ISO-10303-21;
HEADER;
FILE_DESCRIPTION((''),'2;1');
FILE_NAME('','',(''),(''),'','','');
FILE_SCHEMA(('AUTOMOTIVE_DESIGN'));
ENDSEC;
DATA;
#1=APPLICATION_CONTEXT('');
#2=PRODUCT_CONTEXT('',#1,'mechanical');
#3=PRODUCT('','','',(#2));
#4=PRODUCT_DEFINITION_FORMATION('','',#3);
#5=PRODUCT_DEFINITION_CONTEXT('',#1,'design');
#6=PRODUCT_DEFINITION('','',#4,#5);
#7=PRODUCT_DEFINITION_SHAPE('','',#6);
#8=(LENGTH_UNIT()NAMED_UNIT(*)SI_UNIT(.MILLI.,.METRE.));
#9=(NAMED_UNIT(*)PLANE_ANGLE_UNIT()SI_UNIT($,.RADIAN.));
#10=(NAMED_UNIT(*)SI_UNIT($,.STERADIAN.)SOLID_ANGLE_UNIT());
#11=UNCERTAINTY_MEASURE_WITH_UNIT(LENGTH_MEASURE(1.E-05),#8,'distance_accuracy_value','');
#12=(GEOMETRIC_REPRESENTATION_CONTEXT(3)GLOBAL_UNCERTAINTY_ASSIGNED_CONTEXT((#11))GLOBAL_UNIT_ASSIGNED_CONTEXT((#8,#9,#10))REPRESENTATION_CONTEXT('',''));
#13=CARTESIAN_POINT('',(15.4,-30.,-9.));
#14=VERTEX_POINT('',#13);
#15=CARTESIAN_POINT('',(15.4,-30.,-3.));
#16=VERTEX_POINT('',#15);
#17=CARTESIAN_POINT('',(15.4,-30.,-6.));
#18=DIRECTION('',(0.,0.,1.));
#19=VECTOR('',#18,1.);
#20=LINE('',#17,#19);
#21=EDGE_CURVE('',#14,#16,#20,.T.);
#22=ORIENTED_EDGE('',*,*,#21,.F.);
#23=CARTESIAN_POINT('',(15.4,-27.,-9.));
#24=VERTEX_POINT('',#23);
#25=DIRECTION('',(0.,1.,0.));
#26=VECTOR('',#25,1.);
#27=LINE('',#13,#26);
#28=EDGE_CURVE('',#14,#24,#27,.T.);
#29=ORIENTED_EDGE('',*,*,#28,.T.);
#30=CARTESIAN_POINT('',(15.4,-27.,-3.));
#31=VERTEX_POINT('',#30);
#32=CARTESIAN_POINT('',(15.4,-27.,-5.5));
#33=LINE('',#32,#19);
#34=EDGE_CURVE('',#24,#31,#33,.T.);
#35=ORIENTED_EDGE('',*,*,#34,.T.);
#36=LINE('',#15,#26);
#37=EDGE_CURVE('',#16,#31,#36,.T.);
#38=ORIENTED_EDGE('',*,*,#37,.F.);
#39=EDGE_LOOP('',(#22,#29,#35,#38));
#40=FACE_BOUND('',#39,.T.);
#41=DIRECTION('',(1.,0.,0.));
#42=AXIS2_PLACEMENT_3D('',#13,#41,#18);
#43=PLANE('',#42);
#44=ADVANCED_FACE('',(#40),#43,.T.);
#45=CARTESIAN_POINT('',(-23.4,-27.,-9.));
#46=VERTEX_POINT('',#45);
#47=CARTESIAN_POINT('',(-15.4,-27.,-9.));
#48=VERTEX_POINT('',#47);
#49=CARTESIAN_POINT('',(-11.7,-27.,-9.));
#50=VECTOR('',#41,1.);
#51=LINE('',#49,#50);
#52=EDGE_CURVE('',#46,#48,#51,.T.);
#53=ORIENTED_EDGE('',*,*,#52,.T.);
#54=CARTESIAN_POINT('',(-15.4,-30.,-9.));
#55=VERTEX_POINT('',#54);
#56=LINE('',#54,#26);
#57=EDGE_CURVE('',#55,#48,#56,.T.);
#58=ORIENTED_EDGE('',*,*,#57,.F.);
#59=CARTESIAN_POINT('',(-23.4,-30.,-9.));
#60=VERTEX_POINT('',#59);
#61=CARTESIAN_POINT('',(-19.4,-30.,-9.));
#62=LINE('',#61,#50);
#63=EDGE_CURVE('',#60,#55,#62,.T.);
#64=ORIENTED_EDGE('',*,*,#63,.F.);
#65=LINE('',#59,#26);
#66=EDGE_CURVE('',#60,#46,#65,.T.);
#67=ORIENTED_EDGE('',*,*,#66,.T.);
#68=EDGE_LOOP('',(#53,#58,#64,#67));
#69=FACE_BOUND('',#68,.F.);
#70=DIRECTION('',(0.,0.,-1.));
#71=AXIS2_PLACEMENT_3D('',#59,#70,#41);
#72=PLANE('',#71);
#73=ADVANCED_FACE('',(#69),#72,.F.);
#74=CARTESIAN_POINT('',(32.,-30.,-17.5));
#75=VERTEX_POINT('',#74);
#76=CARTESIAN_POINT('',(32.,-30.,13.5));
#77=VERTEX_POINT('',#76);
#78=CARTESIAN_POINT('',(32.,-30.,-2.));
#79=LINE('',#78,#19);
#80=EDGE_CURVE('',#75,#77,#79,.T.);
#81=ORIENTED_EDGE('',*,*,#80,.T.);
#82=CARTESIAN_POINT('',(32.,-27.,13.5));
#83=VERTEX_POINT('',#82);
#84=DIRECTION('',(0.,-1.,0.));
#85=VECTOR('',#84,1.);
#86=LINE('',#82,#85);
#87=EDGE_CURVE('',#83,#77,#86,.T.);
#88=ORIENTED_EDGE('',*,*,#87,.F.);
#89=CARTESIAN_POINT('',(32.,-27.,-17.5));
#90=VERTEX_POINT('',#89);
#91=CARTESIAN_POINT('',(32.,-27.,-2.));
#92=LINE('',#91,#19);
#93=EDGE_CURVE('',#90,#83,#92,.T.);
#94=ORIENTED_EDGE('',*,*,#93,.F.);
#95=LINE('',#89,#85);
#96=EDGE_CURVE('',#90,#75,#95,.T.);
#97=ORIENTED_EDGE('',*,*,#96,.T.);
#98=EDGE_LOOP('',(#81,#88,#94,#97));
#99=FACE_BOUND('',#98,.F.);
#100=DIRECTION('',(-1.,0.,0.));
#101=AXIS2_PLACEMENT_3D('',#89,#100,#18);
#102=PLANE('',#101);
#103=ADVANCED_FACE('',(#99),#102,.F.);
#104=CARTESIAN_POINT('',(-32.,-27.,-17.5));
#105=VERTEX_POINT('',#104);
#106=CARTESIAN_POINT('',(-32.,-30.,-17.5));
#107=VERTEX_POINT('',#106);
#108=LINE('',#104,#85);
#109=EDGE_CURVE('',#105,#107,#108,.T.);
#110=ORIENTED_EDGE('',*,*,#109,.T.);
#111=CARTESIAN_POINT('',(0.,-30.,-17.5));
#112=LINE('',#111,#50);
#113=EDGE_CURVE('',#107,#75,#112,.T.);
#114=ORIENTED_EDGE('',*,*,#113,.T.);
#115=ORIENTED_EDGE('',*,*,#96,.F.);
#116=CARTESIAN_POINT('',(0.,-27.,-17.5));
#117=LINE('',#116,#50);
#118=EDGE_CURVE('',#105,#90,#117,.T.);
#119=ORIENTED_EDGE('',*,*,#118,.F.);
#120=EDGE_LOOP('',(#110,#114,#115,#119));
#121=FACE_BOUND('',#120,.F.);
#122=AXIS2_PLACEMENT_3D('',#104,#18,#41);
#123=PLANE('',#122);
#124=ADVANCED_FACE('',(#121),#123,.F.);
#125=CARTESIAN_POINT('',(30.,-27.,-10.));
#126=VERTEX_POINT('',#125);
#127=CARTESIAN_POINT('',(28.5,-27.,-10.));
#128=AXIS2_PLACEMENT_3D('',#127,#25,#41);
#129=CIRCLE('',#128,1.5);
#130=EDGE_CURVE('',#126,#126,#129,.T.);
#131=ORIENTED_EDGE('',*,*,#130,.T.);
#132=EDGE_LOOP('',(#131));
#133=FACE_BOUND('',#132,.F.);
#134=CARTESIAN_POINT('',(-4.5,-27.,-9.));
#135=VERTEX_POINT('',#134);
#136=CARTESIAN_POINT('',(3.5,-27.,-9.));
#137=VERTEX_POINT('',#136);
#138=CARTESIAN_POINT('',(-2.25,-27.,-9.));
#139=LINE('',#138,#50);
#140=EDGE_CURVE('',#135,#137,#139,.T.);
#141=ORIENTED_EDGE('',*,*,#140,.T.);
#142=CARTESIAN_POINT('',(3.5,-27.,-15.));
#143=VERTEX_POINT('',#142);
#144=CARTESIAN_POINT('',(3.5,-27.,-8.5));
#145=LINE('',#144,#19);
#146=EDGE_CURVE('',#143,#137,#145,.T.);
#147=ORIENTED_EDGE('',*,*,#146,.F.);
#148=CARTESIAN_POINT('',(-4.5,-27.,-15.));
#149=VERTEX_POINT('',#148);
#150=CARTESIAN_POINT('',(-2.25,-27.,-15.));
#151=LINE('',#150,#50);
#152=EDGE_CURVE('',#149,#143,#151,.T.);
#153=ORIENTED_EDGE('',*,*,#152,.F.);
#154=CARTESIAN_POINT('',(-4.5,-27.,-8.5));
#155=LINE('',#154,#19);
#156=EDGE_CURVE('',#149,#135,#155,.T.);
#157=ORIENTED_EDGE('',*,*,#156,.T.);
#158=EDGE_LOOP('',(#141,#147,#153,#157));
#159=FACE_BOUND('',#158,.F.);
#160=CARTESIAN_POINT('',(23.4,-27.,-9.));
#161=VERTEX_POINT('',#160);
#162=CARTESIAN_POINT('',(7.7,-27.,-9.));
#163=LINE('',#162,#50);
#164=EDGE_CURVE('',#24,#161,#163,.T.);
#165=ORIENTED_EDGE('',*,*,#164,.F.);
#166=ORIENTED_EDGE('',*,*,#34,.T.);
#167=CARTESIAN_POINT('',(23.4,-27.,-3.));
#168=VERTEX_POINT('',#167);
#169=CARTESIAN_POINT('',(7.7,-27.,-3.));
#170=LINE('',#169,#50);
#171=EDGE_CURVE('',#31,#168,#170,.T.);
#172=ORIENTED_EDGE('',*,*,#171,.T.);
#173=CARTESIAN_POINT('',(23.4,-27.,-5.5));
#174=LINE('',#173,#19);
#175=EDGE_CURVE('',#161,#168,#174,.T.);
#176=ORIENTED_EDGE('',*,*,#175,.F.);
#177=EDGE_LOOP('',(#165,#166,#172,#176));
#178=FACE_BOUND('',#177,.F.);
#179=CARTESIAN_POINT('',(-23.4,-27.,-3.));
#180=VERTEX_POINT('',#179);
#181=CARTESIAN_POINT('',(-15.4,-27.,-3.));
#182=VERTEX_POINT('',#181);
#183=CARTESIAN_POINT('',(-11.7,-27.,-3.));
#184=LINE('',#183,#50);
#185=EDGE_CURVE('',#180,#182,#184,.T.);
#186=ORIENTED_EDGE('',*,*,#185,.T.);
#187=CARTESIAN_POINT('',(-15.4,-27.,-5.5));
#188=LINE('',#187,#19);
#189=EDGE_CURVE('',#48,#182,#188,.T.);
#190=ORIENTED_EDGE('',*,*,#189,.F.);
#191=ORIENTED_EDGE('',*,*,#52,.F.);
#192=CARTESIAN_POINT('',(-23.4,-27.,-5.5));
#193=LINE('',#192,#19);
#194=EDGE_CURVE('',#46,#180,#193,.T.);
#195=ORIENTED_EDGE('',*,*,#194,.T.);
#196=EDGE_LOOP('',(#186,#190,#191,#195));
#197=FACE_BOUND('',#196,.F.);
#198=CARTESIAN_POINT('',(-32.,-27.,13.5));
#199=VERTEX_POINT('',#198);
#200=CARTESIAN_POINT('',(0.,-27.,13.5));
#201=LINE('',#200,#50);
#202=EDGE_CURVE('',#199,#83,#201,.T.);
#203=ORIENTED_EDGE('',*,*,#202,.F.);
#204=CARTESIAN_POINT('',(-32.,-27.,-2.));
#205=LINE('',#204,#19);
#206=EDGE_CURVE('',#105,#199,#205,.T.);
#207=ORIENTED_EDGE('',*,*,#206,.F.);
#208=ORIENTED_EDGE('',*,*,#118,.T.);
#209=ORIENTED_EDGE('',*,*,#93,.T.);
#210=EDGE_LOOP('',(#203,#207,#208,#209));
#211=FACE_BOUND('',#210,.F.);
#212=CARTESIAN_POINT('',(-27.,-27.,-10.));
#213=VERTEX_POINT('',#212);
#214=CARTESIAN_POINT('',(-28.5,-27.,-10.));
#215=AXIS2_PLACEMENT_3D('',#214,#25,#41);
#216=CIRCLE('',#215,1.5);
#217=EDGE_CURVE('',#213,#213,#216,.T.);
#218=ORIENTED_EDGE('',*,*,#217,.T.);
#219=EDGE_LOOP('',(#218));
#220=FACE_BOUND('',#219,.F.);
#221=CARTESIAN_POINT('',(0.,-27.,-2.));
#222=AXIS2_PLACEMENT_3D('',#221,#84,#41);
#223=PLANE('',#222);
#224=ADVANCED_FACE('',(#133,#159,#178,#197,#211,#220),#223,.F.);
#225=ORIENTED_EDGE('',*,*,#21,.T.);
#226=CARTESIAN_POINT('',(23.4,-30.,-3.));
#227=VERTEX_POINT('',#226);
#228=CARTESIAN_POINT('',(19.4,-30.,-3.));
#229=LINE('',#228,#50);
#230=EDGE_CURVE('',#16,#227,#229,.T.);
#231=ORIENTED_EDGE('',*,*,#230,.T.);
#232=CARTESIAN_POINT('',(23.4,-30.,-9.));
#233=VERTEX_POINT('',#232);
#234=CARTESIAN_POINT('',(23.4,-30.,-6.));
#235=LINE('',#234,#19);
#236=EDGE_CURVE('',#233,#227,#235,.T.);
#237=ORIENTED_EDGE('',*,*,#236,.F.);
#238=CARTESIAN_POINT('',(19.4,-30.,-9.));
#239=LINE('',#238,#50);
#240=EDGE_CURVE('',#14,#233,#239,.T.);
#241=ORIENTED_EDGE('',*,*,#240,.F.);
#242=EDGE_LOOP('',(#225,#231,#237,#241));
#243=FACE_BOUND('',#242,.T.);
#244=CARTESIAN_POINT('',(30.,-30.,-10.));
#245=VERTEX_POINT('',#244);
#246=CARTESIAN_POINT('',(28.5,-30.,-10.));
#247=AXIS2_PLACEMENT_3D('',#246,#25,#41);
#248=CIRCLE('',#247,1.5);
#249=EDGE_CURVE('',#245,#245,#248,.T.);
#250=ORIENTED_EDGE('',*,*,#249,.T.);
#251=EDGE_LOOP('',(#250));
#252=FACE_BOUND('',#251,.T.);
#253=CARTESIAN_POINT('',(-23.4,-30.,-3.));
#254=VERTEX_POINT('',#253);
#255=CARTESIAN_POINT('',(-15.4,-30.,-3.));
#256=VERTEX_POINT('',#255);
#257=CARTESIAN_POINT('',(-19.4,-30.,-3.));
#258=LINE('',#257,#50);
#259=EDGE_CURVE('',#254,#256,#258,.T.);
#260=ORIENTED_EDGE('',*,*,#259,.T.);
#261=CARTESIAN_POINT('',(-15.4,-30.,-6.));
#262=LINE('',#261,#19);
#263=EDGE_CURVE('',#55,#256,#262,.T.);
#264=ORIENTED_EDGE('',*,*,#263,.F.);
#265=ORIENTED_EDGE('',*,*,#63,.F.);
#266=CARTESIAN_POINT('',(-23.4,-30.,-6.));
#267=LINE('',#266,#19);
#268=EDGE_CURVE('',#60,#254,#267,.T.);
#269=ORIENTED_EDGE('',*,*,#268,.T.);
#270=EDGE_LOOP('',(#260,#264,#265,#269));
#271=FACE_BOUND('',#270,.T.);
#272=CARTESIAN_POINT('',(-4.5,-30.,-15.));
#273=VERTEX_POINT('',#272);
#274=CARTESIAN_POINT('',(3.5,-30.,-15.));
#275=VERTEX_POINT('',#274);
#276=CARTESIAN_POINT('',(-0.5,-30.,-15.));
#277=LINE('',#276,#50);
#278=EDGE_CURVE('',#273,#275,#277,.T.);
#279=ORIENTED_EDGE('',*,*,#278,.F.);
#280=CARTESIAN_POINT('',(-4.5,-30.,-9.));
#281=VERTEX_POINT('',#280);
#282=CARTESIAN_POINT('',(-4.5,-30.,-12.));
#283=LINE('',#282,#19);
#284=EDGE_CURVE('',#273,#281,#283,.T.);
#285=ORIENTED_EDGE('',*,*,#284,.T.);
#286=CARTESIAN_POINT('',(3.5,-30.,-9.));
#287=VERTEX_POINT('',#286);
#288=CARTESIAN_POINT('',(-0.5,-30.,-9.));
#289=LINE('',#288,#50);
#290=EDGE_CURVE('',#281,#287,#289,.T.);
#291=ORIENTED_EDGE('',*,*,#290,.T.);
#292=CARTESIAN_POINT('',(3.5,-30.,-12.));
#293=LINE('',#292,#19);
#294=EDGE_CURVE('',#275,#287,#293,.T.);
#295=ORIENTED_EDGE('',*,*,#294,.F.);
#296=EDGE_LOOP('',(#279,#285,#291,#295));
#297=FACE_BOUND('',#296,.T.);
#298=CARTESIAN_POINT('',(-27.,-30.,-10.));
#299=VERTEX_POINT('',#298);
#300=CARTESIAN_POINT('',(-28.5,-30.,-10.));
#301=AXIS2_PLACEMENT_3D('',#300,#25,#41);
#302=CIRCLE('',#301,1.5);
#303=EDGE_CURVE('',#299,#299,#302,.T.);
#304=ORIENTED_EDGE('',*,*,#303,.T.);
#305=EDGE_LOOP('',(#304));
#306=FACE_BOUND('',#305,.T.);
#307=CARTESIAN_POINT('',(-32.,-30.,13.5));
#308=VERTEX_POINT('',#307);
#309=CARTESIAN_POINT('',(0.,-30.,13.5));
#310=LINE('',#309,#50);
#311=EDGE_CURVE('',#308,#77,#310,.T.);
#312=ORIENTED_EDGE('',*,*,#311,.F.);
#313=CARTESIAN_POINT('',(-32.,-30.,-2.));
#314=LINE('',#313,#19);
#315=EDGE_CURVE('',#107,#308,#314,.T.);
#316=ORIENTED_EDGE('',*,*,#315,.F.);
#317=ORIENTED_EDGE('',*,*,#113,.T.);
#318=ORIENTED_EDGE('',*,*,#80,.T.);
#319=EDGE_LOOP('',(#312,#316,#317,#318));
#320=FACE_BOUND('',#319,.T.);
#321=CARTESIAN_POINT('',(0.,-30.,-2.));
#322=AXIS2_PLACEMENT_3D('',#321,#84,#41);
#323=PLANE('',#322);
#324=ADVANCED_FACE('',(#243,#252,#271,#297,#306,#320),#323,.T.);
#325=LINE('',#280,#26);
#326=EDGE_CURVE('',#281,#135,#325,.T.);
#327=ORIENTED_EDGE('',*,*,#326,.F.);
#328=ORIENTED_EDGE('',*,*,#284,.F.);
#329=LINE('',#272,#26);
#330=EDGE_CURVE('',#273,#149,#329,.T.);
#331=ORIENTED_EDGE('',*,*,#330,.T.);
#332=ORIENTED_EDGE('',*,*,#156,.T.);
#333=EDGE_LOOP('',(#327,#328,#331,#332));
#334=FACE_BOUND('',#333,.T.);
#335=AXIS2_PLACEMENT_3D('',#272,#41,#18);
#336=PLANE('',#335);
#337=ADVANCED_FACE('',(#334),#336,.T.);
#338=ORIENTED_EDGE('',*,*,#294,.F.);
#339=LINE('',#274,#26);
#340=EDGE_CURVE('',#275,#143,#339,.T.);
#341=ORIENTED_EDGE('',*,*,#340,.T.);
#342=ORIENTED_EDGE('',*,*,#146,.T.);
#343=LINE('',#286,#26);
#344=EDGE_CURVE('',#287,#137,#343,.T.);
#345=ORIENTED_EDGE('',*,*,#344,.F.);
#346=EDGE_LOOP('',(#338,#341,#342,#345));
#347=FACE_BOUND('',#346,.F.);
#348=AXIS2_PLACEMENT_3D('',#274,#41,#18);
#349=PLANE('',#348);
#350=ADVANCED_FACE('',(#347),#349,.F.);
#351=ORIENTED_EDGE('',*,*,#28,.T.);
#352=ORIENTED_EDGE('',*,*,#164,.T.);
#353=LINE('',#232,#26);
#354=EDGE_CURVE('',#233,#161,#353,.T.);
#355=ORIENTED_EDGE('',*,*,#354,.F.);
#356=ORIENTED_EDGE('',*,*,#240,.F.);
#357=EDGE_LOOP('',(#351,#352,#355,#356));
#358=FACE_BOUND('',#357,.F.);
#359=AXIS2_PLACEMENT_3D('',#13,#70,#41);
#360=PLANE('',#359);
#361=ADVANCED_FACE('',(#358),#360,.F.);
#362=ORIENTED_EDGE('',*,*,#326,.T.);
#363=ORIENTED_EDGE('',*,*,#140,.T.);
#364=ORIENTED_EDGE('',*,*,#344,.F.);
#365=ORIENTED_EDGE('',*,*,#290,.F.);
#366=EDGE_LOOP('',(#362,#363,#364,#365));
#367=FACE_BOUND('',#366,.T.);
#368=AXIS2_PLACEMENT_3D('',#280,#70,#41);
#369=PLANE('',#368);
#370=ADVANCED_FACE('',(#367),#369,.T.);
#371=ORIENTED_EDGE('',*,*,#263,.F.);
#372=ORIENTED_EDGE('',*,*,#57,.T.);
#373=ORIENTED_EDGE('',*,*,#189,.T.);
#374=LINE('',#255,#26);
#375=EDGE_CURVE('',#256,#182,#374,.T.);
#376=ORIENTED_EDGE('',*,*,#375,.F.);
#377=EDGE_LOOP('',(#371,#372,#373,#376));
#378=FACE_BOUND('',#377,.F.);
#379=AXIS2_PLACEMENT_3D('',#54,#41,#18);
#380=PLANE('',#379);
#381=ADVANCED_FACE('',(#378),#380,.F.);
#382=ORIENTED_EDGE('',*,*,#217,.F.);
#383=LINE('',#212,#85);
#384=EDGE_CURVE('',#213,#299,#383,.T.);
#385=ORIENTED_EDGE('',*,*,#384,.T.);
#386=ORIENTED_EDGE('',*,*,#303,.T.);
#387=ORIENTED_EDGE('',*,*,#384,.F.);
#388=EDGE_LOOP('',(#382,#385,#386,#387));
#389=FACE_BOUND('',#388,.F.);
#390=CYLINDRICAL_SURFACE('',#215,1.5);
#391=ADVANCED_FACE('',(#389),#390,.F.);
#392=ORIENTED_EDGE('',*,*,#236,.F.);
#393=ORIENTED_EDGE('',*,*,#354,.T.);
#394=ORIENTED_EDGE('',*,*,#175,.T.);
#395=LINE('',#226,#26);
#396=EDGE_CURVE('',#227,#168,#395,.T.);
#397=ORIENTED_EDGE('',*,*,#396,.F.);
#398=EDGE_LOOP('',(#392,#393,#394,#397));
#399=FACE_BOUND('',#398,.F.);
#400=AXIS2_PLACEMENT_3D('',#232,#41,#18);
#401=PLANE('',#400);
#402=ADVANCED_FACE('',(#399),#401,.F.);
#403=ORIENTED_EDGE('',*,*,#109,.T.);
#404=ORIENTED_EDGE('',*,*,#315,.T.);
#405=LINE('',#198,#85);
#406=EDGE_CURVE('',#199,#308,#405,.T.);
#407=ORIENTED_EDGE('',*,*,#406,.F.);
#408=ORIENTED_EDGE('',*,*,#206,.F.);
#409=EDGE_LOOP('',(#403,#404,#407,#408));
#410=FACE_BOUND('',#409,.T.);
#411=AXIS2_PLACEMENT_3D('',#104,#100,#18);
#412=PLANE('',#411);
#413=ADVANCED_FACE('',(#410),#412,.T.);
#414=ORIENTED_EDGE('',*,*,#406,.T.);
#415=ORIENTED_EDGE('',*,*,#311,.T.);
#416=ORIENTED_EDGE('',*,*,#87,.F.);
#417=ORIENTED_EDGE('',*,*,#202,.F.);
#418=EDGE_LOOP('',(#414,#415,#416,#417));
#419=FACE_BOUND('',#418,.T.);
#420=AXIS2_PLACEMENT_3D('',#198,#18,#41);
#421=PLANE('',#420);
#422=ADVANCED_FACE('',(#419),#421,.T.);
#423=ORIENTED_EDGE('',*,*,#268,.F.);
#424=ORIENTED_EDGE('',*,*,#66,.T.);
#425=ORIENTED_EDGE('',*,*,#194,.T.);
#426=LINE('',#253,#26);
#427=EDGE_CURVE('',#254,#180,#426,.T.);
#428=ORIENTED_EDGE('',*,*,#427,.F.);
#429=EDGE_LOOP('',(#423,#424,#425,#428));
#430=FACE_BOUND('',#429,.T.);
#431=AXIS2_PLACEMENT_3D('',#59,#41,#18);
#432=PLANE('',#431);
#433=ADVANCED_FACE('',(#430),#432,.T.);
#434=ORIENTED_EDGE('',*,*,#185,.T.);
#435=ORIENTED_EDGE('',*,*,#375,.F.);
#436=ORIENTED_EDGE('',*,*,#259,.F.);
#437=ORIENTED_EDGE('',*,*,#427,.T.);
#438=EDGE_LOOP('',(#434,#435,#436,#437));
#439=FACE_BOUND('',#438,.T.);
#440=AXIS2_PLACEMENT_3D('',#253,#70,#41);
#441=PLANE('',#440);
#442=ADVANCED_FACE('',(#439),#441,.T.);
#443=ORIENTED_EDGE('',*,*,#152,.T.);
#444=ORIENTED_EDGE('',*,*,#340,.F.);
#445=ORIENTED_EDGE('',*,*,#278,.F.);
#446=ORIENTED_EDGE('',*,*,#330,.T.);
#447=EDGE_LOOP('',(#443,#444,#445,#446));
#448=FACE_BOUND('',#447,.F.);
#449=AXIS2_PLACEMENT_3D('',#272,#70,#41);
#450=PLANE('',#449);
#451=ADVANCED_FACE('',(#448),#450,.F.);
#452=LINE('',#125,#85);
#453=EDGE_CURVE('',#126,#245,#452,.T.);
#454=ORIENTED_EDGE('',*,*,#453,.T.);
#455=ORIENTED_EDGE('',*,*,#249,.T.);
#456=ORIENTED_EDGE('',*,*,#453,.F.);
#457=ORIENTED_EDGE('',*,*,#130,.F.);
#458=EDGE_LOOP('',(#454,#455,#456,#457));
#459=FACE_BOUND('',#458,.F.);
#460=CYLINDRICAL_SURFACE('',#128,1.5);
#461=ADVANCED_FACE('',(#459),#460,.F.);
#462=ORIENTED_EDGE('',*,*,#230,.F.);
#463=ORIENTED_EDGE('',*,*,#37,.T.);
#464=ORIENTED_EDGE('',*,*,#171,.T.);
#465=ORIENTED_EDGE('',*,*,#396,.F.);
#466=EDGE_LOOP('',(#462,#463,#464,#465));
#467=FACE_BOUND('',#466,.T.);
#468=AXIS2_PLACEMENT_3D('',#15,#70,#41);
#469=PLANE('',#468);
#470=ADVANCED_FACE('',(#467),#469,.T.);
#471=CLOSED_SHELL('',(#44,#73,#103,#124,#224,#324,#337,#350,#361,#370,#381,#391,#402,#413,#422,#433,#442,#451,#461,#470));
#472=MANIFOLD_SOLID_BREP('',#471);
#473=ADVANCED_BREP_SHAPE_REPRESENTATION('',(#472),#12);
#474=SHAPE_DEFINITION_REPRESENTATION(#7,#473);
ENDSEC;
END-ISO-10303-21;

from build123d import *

# Parameters (mm, degrees)
SKETCH012_W     = 64
SKETCH012_H     = 31
PAD006_DEPTH    = 3
SKETCH013_R     = 1.5
POCKET006_DEPTH = 5
SKETCH014_W     = 8
SKETCH014_H     = 6
POCKET007_DEPTH = 5


with BuildPart() as part:
    # Sketch012 → Pad006 (new body)
    with BuildSketch(Plane.XZ.offset(-30)):
        with Locations((0, -2)):
            Rectangle(SKETCH012_W, SKETCH012_H)
    extrude(amount=PAD006_DEPTH)

    # Sketch013 (on Face5 of Pad006) → Pocket006 (cut)
    with BuildSketch(Plane(origin=(0, 30, 0), x_dir=(1, 0, 0), z_dir=(0, 1, 0))):
        with Locations((28.5, 10)):
            Circle(SKETCH013_R)
        with Locations((-28.5, 10)):
            Circle(SKETCH013_R)
    extrude(amount=-POCKET006_DEPTH, mode=Mode.SUBTRACT)

    # Sketch014 (on Face5 of Pocket006) → Pocket007 (cut)
    with BuildSketch(Plane.XZ.offset(-27)):
        with Locations((19.4, -6)):
            Rectangle(SKETCH014_W, SKETCH014_H)
        with Locations((-0.5, -12)):
            Rectangle(SKETCH014_W, SKETCH014_H)
        with Locations((-19.4, -6)):
            Rectangle(SKETCH014_W, SKETCH014_H)
    extrude(amount=-POCKET007_DEPTH, mode=Mode.SUBTRACT)


with BuildPart() as part_1:
    # Body004 placement: moved
    add(part.part.moved(Location((0, -57, 0))))


solid = part_1.part
